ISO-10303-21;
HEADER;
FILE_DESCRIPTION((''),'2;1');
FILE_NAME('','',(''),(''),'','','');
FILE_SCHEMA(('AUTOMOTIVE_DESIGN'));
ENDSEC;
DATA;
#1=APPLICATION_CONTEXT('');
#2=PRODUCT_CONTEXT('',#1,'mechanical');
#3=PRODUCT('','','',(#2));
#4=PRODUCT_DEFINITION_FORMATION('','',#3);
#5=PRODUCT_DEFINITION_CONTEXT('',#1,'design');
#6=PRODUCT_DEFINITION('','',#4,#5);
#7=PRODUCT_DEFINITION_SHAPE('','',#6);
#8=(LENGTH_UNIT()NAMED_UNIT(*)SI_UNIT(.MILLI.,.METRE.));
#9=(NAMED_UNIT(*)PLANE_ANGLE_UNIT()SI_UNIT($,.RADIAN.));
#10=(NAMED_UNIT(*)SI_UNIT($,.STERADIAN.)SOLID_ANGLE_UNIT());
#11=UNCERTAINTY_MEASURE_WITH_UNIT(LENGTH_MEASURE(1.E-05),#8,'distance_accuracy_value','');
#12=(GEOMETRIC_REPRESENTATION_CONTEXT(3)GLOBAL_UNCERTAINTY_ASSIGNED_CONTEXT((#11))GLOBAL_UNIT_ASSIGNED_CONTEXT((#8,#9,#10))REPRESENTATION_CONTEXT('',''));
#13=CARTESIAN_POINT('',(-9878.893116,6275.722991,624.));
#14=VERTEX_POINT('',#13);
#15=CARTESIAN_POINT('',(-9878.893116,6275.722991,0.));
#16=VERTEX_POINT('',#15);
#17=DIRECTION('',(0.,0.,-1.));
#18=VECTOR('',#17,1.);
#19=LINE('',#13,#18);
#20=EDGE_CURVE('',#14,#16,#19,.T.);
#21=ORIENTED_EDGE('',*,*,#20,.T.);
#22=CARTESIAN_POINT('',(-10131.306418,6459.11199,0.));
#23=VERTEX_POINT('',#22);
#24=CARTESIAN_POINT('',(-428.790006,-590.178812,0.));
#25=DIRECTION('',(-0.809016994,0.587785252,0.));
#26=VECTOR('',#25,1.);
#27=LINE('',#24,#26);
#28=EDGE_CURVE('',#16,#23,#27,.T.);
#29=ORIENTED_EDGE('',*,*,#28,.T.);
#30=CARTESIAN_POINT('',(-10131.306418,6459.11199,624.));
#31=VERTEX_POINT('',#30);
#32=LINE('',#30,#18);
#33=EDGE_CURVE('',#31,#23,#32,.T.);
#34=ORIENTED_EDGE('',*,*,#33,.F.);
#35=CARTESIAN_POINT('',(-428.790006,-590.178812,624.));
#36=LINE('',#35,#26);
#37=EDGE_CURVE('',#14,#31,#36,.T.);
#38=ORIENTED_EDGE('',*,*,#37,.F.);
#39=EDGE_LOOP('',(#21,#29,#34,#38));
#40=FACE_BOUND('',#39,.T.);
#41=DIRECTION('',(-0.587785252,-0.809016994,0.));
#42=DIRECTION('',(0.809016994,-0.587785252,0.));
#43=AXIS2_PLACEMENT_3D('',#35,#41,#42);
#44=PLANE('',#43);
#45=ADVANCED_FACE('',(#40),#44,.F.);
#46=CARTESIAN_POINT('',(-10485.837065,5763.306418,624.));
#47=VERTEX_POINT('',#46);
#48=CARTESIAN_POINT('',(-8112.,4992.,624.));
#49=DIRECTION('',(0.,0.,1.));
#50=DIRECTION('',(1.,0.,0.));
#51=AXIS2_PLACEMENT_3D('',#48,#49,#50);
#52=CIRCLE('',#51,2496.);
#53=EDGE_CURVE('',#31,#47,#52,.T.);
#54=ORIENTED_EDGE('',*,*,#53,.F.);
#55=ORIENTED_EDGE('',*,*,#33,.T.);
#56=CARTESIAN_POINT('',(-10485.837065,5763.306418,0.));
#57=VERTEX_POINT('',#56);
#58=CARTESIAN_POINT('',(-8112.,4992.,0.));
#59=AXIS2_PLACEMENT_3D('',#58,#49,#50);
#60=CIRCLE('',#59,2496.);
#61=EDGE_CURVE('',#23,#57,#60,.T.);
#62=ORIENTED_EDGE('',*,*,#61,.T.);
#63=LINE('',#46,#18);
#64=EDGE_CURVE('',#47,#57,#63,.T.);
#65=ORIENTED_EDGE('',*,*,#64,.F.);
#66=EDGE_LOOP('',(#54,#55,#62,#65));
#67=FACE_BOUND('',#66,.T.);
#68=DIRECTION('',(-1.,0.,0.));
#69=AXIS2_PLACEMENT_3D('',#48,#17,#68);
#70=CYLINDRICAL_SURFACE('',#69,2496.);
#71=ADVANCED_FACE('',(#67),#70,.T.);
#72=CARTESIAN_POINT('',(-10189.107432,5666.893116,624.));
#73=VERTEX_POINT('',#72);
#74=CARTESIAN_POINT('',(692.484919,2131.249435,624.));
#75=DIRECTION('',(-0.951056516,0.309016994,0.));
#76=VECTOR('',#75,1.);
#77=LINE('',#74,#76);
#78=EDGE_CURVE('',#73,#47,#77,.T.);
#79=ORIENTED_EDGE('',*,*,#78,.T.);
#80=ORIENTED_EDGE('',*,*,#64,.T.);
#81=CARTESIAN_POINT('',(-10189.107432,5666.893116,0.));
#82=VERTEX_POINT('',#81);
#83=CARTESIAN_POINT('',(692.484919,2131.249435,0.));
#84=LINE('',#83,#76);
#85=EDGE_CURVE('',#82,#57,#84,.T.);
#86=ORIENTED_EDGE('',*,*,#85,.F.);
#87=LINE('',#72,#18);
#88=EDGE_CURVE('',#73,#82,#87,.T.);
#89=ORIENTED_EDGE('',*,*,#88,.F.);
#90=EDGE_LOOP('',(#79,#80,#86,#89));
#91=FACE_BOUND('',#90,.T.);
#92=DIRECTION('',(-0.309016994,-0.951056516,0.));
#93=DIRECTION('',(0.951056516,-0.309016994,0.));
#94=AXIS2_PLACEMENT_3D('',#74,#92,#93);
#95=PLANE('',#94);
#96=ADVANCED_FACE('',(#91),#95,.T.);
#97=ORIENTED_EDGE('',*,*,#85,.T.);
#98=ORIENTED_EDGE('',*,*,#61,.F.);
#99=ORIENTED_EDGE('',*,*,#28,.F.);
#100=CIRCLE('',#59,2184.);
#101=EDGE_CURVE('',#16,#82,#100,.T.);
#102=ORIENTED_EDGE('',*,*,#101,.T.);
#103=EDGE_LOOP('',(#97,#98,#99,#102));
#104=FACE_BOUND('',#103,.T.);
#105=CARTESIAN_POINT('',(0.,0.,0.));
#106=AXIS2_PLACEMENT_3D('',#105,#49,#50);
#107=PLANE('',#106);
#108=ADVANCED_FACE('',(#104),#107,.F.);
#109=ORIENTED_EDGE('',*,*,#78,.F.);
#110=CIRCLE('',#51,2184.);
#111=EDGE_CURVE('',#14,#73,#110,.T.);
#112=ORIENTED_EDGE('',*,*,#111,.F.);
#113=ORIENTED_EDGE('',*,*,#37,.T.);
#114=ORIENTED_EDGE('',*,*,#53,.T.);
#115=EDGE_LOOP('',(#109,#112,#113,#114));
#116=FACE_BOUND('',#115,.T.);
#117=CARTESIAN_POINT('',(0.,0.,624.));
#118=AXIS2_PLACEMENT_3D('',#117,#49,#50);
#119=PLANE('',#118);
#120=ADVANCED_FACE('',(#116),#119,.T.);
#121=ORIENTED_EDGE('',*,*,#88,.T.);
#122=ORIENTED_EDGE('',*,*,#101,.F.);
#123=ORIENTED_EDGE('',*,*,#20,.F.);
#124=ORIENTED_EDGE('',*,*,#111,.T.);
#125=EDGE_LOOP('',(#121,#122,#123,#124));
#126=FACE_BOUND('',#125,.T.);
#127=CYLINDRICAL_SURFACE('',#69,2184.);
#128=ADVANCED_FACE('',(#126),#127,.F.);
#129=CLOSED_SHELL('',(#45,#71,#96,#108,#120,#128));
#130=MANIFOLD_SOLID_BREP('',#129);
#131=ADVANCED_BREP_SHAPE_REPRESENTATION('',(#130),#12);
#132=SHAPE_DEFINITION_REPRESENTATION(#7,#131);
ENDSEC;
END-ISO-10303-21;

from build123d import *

# Parameters (mm, degrees)
EXTRUDE_1_DEPTH = 480
SCALE_1_SCALE   = 1.3


with BuildPart() as part:
    # 草图1 → 凸台-拉伸1 (new body)
    with BuildSketch(Plane.XY):
        with BuildLine():
            Line((-8066.028511287, 4433.3126292), (-7837.774947376, 4359.14855055))
            ThreePointArc((-7837.774947376, 4359.14855055), (-7736.890960636, 4602.704039562), (-7599.14855055, 4827.479223851))
            Line((-7599.14855055, 4827.479223851), (-7793.3126292, 4968.547684402))
            ThreePointArc((-7793.3126292, 4968.547684402), (-7883.943917736, 4831.891322342), (-7962.584105349, 4688))
            ThreePointArc((-7962.584105349, 4688), (-8018.870228529, 4562.510006888), (-8066.028511287, 4433.3126292))
        make_face()
    extrude(amount=EXTRUDE_1_DEPTH)


with BuildPart() as part_1:
    # 缩放比例1: scaled about (0, 0, 0)
    add(part.part.scale(SCALE_1_SCALE))


solid = part_1.part
